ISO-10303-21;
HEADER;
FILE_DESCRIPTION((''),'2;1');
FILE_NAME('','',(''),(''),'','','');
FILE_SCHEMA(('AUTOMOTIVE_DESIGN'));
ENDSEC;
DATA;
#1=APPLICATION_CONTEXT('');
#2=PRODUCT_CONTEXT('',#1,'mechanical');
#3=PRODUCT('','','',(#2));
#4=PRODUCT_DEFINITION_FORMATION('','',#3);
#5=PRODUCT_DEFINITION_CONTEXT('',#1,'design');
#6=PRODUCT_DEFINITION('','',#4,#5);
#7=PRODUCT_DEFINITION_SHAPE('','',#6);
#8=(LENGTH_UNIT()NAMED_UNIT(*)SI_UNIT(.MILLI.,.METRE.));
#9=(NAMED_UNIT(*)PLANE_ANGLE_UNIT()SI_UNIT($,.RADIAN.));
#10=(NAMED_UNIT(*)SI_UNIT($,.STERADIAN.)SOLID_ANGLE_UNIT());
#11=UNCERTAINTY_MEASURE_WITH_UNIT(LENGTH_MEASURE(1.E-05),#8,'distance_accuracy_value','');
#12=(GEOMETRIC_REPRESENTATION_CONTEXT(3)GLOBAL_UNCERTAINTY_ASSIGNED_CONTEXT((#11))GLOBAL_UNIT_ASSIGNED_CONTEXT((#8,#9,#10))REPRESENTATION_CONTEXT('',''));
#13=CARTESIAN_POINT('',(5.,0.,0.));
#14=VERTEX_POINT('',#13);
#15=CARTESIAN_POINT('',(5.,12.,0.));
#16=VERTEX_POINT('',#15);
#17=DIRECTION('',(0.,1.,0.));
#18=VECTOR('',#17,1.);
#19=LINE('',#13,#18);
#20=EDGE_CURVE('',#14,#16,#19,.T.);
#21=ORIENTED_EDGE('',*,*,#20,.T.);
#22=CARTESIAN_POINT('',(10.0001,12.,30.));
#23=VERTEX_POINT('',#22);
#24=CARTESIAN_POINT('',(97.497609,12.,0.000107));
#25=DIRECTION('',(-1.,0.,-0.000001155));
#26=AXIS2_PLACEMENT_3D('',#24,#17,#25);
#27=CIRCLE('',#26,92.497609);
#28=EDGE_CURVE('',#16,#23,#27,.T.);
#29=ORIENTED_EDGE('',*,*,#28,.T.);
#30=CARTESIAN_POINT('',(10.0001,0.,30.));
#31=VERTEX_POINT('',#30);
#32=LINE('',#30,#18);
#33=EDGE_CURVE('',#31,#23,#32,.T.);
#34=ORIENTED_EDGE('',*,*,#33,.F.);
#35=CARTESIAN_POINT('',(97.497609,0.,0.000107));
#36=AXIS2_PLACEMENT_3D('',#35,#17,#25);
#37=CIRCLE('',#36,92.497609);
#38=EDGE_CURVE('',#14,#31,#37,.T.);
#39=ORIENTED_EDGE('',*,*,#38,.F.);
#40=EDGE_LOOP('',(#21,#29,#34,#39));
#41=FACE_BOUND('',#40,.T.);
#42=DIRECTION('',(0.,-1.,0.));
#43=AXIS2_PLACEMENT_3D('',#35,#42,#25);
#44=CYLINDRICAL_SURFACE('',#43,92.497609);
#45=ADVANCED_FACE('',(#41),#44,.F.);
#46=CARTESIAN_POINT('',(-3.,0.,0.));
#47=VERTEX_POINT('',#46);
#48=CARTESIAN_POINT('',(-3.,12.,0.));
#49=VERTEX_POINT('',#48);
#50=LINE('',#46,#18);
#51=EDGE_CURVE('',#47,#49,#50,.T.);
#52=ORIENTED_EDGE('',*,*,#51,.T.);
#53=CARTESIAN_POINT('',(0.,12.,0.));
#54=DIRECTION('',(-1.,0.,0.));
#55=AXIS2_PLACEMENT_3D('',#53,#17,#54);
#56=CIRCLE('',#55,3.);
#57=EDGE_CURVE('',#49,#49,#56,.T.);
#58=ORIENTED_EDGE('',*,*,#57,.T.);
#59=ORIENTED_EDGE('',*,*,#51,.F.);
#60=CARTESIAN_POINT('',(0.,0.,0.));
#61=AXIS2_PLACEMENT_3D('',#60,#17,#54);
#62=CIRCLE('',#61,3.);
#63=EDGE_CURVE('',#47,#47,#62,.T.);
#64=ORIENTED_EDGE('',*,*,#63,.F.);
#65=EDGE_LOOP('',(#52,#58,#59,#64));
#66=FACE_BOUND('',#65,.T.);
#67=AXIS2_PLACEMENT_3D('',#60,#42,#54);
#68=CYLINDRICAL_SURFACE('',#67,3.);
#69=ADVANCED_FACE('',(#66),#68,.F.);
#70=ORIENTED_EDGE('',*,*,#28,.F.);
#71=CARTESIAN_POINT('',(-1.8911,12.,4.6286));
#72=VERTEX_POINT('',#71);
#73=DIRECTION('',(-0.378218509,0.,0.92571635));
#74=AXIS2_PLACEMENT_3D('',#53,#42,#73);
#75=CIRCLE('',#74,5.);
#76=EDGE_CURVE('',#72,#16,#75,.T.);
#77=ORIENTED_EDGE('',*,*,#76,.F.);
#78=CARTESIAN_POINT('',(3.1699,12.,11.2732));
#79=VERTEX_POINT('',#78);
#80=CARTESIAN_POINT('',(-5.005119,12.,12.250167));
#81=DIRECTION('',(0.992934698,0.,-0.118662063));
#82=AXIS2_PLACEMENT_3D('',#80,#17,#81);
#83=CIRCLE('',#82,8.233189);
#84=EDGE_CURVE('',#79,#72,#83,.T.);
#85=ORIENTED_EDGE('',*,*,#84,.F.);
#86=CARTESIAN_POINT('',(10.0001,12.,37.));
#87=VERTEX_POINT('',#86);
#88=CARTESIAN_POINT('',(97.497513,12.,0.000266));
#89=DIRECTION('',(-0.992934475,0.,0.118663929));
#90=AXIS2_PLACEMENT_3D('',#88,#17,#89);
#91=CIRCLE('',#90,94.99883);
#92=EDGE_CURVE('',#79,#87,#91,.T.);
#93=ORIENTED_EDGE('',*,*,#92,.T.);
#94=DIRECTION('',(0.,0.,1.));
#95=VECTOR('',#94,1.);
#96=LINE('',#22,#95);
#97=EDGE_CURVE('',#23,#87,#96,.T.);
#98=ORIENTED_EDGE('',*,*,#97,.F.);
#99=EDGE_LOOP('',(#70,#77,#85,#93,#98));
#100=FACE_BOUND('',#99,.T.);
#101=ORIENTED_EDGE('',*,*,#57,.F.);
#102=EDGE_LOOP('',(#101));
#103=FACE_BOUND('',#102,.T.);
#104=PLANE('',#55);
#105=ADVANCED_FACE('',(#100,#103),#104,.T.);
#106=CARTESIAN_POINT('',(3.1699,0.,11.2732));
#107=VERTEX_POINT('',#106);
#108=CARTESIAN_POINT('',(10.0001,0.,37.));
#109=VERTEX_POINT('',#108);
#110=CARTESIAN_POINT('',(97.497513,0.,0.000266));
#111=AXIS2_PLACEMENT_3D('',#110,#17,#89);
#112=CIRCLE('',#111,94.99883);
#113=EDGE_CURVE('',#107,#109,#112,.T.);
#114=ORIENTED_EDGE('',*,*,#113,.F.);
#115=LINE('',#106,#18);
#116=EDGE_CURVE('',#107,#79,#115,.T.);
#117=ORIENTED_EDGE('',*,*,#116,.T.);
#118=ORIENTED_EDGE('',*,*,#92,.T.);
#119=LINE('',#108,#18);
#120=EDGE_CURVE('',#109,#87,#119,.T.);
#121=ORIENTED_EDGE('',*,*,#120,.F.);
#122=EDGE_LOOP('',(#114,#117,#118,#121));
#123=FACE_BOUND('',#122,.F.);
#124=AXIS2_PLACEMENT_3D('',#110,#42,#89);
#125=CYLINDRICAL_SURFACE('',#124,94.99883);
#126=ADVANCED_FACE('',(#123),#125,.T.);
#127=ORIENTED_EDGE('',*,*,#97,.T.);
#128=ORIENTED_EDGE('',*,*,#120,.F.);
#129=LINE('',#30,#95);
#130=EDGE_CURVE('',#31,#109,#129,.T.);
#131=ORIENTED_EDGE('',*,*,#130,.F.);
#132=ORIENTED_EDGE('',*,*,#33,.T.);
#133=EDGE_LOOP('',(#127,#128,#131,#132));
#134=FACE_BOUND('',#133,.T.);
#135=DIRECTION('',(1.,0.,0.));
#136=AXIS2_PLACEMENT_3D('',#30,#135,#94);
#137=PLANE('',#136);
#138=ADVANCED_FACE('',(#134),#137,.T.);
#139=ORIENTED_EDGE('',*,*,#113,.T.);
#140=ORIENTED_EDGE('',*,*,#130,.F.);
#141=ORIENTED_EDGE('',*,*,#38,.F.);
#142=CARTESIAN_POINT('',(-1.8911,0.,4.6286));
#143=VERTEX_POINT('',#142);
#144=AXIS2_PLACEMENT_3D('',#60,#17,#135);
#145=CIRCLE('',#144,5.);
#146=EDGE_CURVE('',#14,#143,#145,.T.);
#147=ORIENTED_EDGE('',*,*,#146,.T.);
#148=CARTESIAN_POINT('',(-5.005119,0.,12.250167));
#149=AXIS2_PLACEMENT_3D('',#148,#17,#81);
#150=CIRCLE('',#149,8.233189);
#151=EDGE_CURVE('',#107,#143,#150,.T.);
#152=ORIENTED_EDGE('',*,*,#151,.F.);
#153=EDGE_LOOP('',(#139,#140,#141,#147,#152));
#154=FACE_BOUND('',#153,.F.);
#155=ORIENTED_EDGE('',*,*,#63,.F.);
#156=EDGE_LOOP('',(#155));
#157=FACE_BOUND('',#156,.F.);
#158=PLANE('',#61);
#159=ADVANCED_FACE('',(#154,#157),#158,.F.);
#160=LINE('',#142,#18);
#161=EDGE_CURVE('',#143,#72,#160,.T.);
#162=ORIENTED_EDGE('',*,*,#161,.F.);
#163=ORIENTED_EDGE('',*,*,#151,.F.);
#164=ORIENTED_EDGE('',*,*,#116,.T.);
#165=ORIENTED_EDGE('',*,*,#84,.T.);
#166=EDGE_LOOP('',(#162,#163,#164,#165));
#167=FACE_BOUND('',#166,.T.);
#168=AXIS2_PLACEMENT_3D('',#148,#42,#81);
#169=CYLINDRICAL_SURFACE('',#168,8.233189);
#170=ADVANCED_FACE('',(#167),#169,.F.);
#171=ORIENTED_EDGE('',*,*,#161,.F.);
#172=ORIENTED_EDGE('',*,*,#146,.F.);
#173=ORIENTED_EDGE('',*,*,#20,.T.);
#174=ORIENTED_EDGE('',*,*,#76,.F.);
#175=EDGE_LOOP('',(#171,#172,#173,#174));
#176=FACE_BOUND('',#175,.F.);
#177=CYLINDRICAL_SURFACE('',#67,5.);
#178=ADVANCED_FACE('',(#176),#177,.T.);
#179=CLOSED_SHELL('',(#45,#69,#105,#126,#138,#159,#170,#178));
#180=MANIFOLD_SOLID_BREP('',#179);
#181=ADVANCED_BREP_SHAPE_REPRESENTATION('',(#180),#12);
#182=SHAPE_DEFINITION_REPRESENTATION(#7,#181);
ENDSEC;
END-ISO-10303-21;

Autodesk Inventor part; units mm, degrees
ref_plane "YZ Plane" through (0, 0, 0) normal (1, 0, 0) x (0, 1, 0)
ref_plane "XZ Plane" through (0, 0, 0) normal (0, 1, 0) x (-1, 0, 0)
ref_plane "XY Plane" through (0, 0, 0) normal (0, 0, 1) x (1, 0, 0)
sketch "Sketch1" plane through (0, 0, 0) normal (0, 1, 0) x (-1, 0, 0)
  circle A0 centre (0, 0) radius 3
  circle A1 centre (0, 0) radius 5
  line L0 (-10.0001, 41) -> (-10, 19) construction
  arc A2 (-5, 0) -> (-10.0001, 30) centre (-97.4989, 0) ccw
  line L1 (0, 0) -> (-5, 0) construction
  line L2 (-10.0001, 30) -> (-10.0001, 37)
  arc A3 (-2.5927, 4.225) -> (-3.1699, 11.2732) centre (-97.4989, 0) ccw construction
  arc A4 (-3.1699, 11.2732) -> (1.8911, 4.6286) centre (5.0052, 12.2502) ccw
  arc A5 (-3.1699, 11.2732) -> (-10.0001, 37) centre (-97.4989, 0) ccw
  dimension "d0" = 6
  dimension "d1" = 2
  dimension "d2" = 10
  dimension "d3" = 30
  dimension "d4" = 5.0001
  dimension "d5" = 7
extrude "Extrusion1" add sketch "Sketch1" along normal blind 12
properties part number "clamp"
